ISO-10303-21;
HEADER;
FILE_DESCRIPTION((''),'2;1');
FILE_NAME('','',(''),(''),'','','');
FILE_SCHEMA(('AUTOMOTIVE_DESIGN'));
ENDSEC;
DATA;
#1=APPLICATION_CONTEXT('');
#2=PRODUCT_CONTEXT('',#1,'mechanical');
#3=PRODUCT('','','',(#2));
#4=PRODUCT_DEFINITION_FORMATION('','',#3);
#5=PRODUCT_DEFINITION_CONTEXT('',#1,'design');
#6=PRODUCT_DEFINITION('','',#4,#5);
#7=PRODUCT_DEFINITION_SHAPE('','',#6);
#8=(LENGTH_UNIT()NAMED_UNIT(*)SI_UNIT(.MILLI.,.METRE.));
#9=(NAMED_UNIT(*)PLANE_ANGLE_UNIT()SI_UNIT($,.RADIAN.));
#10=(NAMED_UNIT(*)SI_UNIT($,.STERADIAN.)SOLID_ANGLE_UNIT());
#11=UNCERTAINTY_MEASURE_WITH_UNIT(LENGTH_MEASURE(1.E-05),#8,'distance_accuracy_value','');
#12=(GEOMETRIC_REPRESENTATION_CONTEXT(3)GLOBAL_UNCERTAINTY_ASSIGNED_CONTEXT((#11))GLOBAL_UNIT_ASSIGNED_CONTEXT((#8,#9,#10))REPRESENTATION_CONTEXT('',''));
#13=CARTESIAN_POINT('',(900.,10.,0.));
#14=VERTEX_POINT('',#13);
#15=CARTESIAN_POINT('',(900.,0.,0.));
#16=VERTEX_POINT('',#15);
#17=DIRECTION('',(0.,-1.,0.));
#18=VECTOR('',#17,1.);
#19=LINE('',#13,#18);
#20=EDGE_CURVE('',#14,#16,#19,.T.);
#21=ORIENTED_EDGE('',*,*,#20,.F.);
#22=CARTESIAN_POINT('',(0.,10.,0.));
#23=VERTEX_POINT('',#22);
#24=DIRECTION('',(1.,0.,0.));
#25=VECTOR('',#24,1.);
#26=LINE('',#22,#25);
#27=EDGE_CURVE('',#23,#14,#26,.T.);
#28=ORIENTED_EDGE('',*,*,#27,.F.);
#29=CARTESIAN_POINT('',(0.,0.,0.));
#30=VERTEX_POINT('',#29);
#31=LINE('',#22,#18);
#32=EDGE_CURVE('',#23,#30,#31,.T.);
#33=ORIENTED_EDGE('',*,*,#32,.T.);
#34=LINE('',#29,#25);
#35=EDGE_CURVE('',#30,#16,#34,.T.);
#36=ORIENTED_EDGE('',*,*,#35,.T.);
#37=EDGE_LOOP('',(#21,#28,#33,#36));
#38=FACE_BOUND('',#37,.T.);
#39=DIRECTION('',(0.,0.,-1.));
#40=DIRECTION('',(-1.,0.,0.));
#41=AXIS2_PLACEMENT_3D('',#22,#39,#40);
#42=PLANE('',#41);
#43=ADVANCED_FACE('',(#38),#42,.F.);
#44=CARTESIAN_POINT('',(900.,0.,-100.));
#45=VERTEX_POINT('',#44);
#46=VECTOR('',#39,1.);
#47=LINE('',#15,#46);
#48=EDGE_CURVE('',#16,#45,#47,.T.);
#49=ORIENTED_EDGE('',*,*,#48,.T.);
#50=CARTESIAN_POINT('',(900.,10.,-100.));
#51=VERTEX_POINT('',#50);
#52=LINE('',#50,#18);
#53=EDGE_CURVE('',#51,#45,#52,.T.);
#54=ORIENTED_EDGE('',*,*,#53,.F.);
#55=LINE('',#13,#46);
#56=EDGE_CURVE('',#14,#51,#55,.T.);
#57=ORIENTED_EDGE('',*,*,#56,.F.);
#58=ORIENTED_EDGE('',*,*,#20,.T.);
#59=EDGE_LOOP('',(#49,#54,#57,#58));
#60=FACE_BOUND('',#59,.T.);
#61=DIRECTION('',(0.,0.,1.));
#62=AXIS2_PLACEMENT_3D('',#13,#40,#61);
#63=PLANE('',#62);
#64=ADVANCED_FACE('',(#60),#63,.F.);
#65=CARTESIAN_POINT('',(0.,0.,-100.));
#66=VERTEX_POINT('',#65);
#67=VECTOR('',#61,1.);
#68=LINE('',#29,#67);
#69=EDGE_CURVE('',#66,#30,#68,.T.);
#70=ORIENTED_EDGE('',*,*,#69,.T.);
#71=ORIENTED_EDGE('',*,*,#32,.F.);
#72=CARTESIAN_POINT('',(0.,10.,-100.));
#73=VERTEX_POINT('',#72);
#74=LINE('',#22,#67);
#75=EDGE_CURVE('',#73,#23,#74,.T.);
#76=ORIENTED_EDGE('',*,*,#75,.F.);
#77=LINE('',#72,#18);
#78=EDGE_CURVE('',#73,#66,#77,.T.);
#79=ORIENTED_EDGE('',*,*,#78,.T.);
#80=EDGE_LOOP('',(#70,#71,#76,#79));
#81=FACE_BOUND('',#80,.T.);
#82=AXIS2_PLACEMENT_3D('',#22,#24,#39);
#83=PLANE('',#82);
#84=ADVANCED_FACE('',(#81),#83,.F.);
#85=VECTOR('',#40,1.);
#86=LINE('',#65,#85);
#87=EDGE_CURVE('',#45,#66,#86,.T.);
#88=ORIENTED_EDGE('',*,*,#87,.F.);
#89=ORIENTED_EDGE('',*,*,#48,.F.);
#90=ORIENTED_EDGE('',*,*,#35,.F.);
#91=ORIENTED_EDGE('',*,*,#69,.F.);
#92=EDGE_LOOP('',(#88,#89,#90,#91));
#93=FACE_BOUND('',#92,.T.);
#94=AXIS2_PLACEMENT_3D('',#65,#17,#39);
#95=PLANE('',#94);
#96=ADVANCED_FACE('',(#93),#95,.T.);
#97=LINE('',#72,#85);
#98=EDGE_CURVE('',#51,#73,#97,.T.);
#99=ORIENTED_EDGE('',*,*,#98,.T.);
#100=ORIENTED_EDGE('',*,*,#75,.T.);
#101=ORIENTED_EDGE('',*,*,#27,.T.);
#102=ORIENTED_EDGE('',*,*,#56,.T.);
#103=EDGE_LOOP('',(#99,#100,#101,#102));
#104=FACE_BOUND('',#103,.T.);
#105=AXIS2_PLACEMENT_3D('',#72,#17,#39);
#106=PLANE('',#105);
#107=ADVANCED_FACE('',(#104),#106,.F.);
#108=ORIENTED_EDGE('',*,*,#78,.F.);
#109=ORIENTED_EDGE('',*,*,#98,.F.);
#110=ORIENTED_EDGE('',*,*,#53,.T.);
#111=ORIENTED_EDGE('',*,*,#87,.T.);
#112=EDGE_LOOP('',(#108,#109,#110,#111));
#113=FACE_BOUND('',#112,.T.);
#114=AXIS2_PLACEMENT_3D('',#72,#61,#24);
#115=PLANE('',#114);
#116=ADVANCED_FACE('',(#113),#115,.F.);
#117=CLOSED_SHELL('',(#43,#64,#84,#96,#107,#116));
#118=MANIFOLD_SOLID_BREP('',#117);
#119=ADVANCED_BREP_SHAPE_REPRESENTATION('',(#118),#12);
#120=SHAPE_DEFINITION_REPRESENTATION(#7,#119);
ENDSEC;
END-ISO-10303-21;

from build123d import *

# Parameters (mm, degrees)
ESQUISSE1_W      = 900
ESQUISSE1_H      = 100
EXTRUSION1_DEPTH = 10


with BuildPart() as part:
    # Esquisse1 → Extrusion1 (new body)
    with BuildSketch(Plane(origin=(0, 0, 0), x_dir=(1, 0, 0), z_dir=(0, 1, 0))):
        with Locations((450, 50)):
            Rectangle(ESQUISSE1_W, ESQUISSE1_H)
    extrude(amount=EXTRUSION1_DEPTH)


solid = part.part
